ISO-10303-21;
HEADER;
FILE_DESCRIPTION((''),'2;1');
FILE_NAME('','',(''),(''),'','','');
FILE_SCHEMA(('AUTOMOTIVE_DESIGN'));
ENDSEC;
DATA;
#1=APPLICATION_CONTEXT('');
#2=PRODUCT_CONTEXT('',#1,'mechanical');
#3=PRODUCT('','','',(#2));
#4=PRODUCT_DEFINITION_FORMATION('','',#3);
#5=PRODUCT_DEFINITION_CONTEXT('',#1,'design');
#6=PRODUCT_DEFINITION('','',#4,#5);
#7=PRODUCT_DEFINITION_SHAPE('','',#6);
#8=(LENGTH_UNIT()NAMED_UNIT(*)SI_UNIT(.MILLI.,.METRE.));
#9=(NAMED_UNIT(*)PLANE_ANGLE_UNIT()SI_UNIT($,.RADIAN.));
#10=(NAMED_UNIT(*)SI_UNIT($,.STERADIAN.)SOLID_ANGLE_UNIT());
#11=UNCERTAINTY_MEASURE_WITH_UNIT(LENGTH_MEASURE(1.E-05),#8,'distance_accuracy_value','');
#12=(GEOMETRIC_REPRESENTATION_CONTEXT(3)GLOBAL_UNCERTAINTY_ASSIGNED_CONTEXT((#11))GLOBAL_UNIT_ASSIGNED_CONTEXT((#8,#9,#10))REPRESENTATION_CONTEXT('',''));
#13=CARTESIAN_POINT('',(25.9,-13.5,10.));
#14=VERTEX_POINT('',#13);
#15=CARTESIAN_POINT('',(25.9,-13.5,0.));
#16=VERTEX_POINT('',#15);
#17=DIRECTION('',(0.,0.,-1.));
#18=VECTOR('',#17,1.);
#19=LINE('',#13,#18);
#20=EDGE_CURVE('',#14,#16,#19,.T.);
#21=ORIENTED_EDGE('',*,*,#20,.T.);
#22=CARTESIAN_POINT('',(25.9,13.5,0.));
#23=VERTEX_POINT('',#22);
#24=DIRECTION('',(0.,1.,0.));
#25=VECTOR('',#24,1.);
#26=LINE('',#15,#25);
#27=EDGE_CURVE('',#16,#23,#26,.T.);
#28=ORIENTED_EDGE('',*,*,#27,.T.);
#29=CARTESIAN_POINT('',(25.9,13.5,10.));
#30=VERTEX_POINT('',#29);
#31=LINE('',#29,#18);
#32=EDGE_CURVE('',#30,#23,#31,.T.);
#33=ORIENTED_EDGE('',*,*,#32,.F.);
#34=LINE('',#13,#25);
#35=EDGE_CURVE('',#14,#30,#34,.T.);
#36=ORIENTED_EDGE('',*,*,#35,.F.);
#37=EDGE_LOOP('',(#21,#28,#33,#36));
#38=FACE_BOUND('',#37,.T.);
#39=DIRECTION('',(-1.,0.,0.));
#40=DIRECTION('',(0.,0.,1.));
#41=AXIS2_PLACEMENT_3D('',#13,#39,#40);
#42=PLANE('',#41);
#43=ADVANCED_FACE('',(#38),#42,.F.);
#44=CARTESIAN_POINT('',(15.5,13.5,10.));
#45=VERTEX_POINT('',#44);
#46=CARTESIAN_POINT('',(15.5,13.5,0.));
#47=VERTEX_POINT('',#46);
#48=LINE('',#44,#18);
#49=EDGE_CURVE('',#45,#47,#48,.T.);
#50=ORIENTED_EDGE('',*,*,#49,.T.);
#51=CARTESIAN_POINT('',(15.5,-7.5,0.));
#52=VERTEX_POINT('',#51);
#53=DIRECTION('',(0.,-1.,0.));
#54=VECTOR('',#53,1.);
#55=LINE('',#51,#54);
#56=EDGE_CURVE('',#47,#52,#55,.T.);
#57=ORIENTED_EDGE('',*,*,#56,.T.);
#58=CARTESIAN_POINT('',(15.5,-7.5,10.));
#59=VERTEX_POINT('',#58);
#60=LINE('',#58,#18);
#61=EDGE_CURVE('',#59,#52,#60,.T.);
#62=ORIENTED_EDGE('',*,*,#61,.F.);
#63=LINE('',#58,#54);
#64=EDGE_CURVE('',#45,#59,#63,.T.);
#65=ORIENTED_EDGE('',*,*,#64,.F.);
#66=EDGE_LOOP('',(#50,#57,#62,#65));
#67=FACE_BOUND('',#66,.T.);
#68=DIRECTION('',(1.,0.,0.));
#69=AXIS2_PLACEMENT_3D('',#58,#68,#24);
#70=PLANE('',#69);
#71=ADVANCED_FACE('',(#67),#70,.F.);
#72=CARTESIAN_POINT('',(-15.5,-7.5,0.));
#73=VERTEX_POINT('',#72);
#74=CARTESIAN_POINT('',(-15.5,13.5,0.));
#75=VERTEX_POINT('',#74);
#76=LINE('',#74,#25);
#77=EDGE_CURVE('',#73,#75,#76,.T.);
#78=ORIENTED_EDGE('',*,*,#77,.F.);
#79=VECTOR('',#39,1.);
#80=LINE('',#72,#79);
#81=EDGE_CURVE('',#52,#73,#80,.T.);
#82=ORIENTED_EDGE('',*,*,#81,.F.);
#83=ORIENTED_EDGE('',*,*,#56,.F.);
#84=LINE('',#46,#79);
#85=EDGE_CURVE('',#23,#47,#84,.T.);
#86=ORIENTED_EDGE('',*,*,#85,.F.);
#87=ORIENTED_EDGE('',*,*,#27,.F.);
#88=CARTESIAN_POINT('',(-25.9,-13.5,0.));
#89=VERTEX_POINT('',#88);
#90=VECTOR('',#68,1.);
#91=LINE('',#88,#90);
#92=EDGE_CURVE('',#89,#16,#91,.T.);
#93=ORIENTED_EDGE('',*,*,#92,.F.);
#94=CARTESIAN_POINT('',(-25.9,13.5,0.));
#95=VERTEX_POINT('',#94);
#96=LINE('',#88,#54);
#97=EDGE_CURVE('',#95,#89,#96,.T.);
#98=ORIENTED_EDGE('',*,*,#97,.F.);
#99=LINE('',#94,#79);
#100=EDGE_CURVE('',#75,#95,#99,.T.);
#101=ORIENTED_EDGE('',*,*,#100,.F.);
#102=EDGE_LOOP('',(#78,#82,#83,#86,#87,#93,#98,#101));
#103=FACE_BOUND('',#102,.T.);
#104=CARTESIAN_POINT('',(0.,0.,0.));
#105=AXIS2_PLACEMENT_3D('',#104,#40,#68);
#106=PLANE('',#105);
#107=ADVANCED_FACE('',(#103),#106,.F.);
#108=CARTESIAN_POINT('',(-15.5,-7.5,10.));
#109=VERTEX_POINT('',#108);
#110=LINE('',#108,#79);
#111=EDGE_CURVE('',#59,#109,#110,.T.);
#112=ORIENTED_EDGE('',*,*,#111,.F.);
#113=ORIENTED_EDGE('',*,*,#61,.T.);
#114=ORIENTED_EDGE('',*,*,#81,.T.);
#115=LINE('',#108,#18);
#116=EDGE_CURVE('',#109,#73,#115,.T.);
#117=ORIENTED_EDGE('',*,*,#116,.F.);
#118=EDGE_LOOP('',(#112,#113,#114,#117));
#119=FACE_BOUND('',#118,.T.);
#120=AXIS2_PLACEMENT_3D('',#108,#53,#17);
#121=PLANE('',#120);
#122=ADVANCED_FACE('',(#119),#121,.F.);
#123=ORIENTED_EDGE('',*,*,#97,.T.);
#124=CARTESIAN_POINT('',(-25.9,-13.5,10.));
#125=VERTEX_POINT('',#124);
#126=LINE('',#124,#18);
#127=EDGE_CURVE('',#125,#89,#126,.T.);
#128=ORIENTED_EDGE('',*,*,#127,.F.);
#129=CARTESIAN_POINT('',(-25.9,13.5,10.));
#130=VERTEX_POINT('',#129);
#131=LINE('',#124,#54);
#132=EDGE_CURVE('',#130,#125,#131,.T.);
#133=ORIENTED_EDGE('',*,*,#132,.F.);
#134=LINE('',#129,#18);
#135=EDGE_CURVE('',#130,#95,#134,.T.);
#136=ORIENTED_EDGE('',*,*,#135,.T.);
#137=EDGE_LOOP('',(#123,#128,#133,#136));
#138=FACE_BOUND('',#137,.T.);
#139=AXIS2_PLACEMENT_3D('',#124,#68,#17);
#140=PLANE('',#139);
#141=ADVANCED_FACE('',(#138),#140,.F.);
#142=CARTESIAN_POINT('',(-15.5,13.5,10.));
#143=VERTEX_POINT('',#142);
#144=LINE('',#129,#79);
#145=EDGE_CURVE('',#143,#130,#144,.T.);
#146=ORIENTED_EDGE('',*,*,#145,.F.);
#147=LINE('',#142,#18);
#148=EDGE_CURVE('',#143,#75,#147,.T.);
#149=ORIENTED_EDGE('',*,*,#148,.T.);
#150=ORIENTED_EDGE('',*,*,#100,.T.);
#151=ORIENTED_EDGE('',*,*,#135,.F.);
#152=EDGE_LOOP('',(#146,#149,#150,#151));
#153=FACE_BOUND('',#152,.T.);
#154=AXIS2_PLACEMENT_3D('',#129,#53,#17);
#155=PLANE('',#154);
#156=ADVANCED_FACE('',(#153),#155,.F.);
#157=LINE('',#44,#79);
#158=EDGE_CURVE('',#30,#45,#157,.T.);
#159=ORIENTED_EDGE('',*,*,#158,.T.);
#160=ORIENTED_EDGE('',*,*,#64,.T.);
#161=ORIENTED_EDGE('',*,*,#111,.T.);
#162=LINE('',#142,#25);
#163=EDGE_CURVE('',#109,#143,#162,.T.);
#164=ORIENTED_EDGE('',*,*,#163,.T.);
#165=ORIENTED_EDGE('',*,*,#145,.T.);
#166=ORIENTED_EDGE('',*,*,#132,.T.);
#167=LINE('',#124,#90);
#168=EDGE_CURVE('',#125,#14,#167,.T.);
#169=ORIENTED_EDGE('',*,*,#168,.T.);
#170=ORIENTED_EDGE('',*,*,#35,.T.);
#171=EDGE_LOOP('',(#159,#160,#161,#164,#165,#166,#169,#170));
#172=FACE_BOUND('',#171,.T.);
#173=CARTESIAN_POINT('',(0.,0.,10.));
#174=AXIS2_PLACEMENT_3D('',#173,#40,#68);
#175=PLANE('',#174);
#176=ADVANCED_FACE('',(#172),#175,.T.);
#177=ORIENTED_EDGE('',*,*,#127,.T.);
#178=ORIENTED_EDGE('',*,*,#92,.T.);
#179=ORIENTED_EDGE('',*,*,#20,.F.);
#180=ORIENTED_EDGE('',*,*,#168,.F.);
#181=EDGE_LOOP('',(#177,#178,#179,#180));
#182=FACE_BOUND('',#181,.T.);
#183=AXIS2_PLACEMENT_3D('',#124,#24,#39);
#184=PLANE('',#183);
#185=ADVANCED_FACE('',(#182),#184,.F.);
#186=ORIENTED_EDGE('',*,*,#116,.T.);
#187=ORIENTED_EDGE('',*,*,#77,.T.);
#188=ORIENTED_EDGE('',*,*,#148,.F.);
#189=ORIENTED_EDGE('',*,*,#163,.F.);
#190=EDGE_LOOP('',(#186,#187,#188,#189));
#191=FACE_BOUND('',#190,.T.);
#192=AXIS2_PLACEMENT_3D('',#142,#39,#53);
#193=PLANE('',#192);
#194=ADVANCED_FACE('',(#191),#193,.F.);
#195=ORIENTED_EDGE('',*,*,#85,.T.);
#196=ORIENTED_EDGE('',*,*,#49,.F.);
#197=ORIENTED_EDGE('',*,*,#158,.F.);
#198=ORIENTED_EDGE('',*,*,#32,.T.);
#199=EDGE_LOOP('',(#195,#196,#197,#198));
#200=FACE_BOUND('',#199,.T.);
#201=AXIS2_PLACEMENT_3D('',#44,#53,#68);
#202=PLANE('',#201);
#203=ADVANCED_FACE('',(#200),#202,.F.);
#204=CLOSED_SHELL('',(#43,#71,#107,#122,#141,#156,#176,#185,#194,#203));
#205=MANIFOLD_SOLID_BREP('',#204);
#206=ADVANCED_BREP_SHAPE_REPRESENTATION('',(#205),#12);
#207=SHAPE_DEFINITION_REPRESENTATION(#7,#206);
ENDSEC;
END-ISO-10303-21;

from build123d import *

# Parameters (mm, degrees)
BOSS_EXTRUDE1_DEPTH = 10


with BuildPart() as part:
    # Sketch1 → Boss-Extrude1 (new body)
    with BuildSketch(Plane.XY):
        Polygon((-15.5, 13.5), (-15.5, -7.5), (15.5, -7.5), (15.5, 13.5), (25.9, 13.5), (25.9, -13.5), (-25.9, -13.5), (-25.9, 13.5), align=None)
    extrude(amount=BOSS_EXTRUDE1_DEPTH)


solid = part.part
